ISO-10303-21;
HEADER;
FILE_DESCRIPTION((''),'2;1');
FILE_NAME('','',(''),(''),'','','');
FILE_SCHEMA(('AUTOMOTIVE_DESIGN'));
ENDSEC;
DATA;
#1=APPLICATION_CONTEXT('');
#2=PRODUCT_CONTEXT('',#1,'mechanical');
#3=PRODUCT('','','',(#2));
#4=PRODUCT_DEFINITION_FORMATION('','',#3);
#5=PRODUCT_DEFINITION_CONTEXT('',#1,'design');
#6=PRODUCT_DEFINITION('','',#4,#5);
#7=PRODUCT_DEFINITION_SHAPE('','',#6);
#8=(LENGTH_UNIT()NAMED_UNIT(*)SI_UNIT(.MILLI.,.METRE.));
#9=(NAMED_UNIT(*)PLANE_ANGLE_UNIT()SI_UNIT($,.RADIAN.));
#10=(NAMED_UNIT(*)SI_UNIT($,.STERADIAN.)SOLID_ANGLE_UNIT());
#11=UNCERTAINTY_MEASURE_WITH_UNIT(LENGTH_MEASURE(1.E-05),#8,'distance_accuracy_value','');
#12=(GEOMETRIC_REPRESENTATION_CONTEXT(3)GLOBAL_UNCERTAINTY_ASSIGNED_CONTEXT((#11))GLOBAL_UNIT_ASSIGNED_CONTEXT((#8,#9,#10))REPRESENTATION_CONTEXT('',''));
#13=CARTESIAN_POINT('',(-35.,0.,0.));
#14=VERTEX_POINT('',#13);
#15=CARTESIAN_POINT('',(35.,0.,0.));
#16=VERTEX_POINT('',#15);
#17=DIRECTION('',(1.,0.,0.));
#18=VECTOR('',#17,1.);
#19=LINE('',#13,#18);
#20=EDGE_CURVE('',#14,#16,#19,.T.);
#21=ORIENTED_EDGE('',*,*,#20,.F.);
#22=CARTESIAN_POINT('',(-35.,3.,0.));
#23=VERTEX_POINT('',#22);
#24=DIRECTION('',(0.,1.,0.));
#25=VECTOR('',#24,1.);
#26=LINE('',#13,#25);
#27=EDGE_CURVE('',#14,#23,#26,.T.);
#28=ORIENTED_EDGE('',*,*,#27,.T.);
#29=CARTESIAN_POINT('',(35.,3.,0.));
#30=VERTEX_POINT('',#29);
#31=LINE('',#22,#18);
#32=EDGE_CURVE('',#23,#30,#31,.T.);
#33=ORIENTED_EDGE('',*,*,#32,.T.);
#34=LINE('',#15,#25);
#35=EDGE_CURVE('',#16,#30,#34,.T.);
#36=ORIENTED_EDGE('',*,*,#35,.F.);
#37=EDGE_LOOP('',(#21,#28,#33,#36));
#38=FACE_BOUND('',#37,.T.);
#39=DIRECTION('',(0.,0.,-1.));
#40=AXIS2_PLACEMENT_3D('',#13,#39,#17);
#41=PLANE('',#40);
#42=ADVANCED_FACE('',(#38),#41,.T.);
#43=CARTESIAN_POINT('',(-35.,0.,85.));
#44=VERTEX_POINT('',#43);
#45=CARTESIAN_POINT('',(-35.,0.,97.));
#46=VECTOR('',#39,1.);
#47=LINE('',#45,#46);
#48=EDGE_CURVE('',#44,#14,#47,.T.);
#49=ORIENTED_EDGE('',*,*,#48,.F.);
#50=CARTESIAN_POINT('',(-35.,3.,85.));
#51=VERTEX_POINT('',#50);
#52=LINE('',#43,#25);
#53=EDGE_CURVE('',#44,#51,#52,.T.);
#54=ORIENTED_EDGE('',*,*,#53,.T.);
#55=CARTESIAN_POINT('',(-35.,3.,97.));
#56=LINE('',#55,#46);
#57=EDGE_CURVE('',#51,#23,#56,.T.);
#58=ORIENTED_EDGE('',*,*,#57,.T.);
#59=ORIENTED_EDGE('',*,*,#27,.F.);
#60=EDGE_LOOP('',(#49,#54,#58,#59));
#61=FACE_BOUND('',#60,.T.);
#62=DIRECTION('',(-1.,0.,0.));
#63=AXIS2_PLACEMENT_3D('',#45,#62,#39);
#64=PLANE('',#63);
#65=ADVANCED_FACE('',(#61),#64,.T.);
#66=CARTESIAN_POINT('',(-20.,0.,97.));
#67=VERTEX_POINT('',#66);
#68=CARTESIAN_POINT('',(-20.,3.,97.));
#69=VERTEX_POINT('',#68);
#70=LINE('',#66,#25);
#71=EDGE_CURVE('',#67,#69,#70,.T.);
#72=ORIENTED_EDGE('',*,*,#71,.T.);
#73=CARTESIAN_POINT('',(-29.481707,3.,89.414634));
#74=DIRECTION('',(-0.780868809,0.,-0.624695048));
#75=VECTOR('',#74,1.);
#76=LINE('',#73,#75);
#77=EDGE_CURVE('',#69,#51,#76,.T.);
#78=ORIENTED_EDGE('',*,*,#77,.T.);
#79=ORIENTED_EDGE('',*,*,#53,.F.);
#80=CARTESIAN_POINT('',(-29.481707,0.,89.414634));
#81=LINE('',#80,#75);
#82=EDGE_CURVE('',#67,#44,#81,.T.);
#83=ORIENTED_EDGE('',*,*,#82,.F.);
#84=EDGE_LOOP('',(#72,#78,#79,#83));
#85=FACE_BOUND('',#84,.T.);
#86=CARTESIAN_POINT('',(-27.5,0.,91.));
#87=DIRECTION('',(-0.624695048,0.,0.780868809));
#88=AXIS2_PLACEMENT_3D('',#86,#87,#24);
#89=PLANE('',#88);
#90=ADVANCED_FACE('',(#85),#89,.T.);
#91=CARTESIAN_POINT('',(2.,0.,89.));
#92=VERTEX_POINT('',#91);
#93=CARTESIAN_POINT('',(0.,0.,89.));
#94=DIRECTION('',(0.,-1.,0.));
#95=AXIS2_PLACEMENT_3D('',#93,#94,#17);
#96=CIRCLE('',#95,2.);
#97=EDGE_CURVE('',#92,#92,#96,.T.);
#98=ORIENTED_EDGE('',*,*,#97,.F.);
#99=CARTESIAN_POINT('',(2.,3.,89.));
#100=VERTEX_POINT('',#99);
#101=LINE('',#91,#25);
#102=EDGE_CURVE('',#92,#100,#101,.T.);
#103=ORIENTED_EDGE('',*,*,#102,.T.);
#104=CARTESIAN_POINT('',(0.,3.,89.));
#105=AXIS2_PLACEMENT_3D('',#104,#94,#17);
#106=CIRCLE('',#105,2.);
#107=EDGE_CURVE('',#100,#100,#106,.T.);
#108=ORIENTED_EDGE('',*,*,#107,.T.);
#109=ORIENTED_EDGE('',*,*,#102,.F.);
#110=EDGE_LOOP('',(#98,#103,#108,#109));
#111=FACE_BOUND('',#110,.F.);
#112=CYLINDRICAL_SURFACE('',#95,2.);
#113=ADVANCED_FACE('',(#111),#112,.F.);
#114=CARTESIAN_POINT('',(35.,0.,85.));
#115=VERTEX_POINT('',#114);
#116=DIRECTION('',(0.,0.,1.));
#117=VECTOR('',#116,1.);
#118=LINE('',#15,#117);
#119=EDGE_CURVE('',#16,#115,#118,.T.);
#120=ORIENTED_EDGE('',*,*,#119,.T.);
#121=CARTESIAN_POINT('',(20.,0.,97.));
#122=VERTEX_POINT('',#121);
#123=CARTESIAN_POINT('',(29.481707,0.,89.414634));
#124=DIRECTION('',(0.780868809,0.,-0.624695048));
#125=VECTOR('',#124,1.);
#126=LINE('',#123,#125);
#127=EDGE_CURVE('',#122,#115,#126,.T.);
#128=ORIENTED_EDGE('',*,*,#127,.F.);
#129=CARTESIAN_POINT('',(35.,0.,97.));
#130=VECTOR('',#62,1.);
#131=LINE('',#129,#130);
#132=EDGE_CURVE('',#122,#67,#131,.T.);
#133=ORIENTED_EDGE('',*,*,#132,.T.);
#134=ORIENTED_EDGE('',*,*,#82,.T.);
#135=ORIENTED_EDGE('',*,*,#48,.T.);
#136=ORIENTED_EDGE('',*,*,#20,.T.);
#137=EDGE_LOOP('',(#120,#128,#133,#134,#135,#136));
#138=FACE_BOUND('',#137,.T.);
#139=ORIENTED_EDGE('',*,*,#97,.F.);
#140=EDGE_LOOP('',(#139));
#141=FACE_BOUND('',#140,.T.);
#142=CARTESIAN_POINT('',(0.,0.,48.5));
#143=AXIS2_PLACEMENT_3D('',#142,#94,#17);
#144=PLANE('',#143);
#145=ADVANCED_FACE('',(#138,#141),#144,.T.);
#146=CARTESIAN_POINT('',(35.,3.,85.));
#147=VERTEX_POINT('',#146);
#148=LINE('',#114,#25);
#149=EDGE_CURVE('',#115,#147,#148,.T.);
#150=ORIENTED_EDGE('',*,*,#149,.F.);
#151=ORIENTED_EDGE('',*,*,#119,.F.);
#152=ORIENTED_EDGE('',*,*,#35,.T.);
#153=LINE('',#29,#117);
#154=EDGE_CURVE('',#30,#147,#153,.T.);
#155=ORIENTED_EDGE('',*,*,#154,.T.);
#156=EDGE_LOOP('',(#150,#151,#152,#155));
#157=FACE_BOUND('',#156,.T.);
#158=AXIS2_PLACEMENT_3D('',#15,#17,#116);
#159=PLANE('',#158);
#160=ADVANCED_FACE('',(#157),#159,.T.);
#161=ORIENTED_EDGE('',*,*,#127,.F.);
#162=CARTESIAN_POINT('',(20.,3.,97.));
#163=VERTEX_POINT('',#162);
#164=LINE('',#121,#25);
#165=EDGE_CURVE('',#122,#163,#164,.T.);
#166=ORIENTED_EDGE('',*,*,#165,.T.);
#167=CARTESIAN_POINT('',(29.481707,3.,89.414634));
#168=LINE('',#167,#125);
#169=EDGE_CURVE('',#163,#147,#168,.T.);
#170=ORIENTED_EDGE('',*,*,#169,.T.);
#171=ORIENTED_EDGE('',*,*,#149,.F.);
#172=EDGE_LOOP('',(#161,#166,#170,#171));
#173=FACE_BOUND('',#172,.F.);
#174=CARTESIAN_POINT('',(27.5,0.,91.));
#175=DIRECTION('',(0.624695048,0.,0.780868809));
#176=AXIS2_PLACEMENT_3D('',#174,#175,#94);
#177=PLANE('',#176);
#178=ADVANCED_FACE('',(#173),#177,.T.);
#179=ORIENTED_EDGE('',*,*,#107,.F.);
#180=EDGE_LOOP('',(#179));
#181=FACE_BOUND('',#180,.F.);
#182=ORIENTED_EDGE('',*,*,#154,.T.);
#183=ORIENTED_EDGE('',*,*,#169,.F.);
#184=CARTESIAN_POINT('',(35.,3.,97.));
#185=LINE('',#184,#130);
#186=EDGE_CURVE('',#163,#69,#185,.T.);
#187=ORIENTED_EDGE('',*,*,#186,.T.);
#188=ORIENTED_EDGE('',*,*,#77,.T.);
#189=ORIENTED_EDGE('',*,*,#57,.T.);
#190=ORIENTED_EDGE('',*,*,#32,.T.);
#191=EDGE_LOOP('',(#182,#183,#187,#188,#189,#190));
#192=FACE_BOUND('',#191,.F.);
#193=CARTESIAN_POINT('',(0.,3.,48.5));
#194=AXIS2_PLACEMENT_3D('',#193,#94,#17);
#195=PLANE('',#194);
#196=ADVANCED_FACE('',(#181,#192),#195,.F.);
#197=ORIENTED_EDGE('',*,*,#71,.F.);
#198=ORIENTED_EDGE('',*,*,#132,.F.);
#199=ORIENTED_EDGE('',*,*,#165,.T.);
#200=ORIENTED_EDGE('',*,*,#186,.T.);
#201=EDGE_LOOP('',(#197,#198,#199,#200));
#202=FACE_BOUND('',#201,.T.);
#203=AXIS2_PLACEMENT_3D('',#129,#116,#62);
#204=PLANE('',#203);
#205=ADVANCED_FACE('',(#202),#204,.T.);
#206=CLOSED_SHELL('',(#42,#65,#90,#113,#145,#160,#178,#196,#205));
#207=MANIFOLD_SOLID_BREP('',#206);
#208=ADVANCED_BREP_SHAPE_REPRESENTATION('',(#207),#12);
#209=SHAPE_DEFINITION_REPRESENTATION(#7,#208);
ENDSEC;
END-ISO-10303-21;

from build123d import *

# Parameters (mm, degrees)
F0_R     = 2
F1_DEPTH = 3
F2_SIZE2 = 12
F2_SIZE  = 15


with BuildPart() as f1:
    # F0 (on Front) → F1 (new body)
    with BuildSketch(Plane.XZ):
        Polygon((-35, 0), (0, 0), (35, 0), (35, 97), (0, 97), (-35, 97), align=None)
        with Locations((0, 89)):
            Circle(F0_R, mode=Mode.SUBTRACT)
    extrude(amount=-F1_DEPTH)

    # F2
    f2_edges = [f1.edges().sort_by_distance(p)[0] for p in [
        (-35, 1.5, 97),
        (35, 1.5, 97),
    ]]
    f2_side = f1.faces().sort_by_distance((0, 1.5, 97))[0]
    chamfer(f2_edges, length=F2_SIZE, length2=F2_SIZE2, reference=f2_side)


solid = f1.part
